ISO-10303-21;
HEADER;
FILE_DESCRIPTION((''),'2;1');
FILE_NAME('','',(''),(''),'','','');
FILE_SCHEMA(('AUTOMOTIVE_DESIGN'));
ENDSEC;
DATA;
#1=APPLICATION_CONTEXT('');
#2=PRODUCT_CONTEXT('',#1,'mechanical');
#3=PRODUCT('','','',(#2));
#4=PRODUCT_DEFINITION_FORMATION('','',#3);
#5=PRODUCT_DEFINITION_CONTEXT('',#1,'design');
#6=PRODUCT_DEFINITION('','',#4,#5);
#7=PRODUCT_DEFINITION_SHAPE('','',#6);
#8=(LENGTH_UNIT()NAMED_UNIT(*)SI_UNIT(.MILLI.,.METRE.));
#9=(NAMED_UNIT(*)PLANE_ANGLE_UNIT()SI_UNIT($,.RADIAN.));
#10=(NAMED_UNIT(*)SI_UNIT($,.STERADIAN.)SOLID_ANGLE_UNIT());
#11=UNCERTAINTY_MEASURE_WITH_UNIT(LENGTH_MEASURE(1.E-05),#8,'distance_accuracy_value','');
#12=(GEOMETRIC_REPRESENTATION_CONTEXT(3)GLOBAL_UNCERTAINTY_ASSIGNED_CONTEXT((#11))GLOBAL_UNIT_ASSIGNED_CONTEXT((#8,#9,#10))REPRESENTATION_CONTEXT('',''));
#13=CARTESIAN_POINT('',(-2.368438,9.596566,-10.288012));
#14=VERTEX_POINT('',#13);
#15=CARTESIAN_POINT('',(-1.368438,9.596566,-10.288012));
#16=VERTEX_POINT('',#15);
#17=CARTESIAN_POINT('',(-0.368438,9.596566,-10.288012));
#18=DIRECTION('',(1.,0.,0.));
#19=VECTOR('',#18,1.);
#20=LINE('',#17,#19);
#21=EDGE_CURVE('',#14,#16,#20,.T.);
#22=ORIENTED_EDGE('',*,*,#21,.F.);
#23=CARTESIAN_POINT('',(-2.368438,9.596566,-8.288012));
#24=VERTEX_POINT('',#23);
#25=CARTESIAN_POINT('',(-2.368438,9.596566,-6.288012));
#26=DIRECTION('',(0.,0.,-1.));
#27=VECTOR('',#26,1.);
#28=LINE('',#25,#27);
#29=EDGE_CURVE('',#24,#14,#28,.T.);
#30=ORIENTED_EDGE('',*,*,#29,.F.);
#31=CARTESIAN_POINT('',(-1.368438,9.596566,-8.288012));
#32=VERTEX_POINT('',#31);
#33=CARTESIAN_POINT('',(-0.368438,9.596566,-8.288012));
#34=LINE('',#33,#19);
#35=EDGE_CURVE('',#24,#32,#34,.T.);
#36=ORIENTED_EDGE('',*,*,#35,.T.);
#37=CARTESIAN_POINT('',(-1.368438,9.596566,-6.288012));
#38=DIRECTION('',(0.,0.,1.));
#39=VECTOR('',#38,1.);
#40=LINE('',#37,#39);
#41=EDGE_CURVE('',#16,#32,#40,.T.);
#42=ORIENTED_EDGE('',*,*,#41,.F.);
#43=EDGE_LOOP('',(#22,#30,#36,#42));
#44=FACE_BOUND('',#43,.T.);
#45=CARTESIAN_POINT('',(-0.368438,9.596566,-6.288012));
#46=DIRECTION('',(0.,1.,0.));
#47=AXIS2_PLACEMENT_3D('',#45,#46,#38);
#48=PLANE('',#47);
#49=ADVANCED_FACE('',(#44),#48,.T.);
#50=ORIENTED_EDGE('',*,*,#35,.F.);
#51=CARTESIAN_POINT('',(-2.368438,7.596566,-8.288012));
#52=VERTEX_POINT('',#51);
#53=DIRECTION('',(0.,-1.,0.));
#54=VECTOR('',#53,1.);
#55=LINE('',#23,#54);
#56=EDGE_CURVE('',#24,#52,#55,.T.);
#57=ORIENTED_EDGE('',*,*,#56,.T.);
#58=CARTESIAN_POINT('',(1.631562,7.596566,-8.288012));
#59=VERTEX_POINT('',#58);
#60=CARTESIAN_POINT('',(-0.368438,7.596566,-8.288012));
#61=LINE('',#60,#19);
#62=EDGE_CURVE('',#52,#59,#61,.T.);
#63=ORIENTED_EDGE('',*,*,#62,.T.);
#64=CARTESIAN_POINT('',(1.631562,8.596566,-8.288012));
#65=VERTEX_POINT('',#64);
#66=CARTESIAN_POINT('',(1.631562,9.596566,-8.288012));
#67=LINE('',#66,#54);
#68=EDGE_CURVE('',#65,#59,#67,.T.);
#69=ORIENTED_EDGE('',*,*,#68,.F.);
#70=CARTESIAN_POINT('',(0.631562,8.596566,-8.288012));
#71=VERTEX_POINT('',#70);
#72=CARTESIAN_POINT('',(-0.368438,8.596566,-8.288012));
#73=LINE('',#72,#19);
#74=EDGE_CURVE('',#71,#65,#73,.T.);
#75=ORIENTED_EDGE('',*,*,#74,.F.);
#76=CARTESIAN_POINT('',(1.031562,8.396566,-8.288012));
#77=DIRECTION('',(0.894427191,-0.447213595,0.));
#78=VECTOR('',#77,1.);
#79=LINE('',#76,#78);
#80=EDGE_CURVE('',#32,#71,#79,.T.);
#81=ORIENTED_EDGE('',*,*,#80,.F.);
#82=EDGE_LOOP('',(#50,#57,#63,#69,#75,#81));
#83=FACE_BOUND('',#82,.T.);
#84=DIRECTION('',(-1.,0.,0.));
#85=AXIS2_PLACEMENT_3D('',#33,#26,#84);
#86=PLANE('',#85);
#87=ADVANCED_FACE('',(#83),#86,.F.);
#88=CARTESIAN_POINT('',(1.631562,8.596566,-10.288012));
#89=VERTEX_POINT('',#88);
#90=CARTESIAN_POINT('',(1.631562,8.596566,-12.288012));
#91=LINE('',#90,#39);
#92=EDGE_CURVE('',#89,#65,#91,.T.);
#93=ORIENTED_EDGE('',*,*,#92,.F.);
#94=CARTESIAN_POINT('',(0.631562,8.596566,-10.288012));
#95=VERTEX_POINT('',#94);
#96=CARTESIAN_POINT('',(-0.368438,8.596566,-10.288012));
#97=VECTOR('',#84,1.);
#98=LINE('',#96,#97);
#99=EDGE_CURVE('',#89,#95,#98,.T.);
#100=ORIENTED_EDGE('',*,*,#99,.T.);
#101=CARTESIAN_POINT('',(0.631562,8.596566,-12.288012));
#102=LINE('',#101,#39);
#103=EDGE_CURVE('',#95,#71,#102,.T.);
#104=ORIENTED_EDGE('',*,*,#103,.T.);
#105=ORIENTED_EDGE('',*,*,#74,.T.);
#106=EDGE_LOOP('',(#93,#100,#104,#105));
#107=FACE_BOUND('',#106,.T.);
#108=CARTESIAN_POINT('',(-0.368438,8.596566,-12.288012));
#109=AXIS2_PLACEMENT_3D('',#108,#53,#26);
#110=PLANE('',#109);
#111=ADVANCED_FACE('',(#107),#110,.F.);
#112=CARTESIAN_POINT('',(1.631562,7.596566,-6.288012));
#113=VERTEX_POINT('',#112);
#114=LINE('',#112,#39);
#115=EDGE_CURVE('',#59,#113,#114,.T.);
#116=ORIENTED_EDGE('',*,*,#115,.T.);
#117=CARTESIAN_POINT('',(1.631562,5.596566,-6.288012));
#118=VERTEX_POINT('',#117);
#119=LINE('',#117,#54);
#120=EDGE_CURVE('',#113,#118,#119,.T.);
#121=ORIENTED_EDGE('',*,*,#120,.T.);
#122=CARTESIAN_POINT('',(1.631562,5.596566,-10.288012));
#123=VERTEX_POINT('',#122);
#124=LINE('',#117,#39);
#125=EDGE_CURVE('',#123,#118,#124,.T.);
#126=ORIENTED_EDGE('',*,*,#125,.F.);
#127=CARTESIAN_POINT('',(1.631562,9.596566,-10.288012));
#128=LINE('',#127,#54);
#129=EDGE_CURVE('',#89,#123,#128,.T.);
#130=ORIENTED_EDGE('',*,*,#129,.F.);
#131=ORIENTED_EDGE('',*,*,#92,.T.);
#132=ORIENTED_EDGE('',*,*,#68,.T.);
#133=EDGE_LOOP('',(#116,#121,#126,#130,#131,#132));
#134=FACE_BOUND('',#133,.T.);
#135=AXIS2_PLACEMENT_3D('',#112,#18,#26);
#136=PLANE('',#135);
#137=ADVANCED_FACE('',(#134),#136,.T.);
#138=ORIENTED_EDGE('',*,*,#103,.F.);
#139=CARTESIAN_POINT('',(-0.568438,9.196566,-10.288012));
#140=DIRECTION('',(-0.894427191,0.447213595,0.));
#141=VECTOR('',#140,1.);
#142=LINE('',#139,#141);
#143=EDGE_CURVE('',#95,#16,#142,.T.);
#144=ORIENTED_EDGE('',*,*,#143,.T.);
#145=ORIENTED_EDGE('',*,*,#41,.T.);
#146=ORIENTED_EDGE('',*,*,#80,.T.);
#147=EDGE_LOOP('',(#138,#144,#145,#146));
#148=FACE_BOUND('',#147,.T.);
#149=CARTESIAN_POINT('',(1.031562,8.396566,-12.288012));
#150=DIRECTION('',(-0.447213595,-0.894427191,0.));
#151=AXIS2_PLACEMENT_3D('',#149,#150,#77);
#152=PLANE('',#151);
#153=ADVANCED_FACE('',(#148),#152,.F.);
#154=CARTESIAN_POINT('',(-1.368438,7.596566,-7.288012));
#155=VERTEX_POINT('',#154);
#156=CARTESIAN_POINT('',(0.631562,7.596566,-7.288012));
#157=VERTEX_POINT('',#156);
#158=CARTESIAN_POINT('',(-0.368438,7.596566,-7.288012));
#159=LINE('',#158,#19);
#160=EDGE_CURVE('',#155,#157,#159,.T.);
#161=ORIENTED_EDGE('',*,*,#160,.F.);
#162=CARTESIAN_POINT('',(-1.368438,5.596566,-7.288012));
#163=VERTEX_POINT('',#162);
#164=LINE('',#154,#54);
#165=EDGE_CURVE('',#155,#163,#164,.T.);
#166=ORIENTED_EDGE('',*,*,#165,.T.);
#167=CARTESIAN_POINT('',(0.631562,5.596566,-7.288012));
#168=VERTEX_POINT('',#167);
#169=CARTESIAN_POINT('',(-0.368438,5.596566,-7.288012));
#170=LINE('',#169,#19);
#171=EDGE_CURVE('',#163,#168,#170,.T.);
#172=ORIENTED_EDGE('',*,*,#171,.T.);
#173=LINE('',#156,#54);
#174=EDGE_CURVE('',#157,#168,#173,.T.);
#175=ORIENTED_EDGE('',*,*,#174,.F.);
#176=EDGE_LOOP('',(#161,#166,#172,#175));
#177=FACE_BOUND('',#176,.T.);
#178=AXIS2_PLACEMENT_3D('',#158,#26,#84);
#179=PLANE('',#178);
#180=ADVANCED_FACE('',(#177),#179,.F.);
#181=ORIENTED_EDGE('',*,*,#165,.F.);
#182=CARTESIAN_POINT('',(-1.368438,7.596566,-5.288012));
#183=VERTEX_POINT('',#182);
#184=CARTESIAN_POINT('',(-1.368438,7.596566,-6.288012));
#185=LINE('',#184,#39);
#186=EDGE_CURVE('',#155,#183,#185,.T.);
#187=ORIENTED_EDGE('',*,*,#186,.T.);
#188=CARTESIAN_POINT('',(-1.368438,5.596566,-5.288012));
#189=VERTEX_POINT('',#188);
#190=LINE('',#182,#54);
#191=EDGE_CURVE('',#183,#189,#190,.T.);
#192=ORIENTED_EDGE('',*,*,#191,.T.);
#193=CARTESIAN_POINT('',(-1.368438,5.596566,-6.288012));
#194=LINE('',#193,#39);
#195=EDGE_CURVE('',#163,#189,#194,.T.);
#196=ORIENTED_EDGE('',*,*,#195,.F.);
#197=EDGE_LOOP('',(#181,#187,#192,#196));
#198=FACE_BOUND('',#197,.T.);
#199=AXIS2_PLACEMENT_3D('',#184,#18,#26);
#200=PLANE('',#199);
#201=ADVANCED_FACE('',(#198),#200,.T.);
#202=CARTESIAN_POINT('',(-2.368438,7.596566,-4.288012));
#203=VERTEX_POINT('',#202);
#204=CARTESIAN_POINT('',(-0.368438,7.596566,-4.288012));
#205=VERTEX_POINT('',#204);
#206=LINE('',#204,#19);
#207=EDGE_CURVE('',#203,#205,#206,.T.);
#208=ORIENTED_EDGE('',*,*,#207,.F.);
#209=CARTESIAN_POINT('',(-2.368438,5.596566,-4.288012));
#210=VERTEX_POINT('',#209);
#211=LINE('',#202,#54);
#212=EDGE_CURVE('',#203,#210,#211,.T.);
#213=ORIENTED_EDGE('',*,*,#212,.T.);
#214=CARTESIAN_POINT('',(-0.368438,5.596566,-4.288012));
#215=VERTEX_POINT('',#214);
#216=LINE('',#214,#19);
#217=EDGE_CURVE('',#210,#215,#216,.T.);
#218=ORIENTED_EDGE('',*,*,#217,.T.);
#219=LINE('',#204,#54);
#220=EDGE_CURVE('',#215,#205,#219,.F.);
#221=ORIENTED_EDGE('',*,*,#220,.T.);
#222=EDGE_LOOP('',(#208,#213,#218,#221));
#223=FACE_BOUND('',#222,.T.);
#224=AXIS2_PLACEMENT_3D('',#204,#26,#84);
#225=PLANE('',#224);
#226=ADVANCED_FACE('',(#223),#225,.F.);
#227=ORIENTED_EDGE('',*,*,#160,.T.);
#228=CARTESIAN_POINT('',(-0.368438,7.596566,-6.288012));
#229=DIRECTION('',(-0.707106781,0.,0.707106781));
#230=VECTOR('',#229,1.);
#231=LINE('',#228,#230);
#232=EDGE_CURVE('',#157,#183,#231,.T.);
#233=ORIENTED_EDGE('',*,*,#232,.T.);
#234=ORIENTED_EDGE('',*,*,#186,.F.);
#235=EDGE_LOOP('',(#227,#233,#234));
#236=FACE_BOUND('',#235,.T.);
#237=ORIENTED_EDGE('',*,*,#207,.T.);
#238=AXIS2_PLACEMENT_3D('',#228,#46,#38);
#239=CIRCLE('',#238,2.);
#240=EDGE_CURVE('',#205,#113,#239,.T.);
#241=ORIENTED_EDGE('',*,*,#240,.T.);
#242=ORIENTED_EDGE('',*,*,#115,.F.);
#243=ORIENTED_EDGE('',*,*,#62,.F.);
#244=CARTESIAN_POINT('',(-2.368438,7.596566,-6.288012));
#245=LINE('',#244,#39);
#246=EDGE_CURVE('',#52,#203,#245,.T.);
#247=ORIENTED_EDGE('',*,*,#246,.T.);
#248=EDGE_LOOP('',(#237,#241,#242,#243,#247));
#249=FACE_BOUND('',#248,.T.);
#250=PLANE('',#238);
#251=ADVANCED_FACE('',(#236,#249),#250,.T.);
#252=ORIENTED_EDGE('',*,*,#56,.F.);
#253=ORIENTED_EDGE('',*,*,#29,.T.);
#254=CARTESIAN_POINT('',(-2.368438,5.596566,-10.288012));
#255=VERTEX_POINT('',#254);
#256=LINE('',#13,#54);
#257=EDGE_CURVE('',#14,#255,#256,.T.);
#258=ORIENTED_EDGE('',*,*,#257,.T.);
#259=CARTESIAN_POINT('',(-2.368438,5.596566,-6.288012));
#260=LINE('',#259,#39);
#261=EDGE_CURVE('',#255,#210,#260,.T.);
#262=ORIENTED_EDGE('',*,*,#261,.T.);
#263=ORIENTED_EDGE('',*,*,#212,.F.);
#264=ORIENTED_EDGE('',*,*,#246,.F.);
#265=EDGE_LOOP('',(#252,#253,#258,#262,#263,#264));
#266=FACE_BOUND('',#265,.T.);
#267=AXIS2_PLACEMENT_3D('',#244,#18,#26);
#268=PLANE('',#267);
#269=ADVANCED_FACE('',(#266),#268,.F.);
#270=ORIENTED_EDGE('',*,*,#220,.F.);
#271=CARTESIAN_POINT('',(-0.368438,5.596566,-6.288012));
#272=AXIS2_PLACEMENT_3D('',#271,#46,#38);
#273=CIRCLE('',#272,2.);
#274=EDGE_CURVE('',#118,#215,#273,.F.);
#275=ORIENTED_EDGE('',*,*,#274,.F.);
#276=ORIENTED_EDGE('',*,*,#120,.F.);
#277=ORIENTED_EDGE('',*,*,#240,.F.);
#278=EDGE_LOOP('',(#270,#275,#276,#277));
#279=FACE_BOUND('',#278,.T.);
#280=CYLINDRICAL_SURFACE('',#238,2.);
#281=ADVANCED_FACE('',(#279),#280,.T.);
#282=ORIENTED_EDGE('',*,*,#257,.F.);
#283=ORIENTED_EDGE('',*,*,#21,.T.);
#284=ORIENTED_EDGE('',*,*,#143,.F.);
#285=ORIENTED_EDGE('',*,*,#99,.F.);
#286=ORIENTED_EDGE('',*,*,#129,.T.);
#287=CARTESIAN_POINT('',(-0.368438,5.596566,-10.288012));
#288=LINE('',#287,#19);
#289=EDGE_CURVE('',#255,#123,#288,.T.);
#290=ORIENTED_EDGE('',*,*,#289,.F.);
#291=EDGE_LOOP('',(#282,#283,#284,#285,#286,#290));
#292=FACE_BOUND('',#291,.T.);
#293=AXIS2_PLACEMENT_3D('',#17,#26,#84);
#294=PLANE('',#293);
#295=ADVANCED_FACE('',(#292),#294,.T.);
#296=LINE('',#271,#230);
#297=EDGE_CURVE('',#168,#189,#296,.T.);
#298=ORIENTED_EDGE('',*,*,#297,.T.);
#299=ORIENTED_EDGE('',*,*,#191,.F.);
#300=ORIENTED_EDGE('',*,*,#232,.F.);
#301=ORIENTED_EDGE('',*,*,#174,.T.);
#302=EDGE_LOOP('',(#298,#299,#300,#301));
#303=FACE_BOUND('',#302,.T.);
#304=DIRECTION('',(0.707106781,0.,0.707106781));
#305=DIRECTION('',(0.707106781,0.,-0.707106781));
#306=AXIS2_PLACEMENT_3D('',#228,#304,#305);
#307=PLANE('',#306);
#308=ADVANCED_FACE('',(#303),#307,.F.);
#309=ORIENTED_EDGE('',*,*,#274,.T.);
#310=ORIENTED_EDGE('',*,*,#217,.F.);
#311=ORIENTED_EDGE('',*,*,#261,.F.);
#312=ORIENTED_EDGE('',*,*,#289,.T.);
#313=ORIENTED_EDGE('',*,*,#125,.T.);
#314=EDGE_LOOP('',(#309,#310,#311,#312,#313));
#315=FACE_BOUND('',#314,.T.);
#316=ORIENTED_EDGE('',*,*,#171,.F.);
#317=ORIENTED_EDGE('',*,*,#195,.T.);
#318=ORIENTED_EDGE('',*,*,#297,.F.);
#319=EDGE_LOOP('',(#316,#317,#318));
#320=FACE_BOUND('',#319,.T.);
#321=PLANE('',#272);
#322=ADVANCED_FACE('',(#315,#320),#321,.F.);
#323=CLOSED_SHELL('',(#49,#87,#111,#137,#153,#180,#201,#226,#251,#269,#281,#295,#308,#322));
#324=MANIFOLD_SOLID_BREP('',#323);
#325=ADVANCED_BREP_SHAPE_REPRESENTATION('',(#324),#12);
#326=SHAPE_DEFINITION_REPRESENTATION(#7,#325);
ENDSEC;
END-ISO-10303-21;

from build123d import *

# Parameters (mm, degrees)
EXTRUDE_1_DEPTH     = 10
SKETCH_1_3_W        = 20
SKETCH_1_3_H        = 10
EXTRUDE_2_DEPTH     = 20
CUT_EXTRUDE_1_DEPTH = 20
FILLET_1_R          = 10
SCALE_1_SCALE       = 0.2


with BuildPart() as part:
    # 草圖1 → 填料-伸長1 (new body)
    with BuildSketch(Plane(origin=(0, 0, 0), x_dir=(1, 0, 0), z_dir=(0, 1, 0))):
        Polygon((-5, 10), (-10, 10), (-10, -10), (10, -10), (10, 10), (5, 10), align=None)
        Polygon((-5, 5), (5, 5), (-5, -5), align=None, mode=Mode.SUBTRACT)
    extrude(amount=EXTRUDE_1_DEPTH)

    # 草圖1<3> → 填料-伸長2 (add)
    with BuildSketch(Plane(origin=(0, 0, 0), x_dir=(1, 0, 0), z_dir=(0, 1, 0))):
        with Locations((0, 15)):
            Rectangle(SKETCH_1_3_W, SKETCH_1_3_H)
    extrude(amount=EXTRUDE_2_DEPTH)

    # 草圖2 → 除料-伸長1 (cut)
    with BuildSketch(Plane.XY.offset(-10)):
        Polygon((-5, 20), (5, 15), (10, 15), (10, 20), align=None)
    extrude(amount=-CUT_EXTRUDE_1_DEPTH, mode=Mode.SUBTRACT)

    # 圓角1
    fillet_1_edges = [part.edges().sort_by_distance(p)[0] for p in [
        (10, 5, 10),
    ]]
    fillet(fillet_1_edges, radius=FILLET_1_R)


with BuildPart() as part_1:
    # 縮放比例1: scaled about (-0.460547771, 6.995707008, -7.860015293)
    add(part.part.scale(SCALE_1_SCALE).moved(Location((-0.368438217, 5.596565606, -6.288012234))))


solid = part_1.part
